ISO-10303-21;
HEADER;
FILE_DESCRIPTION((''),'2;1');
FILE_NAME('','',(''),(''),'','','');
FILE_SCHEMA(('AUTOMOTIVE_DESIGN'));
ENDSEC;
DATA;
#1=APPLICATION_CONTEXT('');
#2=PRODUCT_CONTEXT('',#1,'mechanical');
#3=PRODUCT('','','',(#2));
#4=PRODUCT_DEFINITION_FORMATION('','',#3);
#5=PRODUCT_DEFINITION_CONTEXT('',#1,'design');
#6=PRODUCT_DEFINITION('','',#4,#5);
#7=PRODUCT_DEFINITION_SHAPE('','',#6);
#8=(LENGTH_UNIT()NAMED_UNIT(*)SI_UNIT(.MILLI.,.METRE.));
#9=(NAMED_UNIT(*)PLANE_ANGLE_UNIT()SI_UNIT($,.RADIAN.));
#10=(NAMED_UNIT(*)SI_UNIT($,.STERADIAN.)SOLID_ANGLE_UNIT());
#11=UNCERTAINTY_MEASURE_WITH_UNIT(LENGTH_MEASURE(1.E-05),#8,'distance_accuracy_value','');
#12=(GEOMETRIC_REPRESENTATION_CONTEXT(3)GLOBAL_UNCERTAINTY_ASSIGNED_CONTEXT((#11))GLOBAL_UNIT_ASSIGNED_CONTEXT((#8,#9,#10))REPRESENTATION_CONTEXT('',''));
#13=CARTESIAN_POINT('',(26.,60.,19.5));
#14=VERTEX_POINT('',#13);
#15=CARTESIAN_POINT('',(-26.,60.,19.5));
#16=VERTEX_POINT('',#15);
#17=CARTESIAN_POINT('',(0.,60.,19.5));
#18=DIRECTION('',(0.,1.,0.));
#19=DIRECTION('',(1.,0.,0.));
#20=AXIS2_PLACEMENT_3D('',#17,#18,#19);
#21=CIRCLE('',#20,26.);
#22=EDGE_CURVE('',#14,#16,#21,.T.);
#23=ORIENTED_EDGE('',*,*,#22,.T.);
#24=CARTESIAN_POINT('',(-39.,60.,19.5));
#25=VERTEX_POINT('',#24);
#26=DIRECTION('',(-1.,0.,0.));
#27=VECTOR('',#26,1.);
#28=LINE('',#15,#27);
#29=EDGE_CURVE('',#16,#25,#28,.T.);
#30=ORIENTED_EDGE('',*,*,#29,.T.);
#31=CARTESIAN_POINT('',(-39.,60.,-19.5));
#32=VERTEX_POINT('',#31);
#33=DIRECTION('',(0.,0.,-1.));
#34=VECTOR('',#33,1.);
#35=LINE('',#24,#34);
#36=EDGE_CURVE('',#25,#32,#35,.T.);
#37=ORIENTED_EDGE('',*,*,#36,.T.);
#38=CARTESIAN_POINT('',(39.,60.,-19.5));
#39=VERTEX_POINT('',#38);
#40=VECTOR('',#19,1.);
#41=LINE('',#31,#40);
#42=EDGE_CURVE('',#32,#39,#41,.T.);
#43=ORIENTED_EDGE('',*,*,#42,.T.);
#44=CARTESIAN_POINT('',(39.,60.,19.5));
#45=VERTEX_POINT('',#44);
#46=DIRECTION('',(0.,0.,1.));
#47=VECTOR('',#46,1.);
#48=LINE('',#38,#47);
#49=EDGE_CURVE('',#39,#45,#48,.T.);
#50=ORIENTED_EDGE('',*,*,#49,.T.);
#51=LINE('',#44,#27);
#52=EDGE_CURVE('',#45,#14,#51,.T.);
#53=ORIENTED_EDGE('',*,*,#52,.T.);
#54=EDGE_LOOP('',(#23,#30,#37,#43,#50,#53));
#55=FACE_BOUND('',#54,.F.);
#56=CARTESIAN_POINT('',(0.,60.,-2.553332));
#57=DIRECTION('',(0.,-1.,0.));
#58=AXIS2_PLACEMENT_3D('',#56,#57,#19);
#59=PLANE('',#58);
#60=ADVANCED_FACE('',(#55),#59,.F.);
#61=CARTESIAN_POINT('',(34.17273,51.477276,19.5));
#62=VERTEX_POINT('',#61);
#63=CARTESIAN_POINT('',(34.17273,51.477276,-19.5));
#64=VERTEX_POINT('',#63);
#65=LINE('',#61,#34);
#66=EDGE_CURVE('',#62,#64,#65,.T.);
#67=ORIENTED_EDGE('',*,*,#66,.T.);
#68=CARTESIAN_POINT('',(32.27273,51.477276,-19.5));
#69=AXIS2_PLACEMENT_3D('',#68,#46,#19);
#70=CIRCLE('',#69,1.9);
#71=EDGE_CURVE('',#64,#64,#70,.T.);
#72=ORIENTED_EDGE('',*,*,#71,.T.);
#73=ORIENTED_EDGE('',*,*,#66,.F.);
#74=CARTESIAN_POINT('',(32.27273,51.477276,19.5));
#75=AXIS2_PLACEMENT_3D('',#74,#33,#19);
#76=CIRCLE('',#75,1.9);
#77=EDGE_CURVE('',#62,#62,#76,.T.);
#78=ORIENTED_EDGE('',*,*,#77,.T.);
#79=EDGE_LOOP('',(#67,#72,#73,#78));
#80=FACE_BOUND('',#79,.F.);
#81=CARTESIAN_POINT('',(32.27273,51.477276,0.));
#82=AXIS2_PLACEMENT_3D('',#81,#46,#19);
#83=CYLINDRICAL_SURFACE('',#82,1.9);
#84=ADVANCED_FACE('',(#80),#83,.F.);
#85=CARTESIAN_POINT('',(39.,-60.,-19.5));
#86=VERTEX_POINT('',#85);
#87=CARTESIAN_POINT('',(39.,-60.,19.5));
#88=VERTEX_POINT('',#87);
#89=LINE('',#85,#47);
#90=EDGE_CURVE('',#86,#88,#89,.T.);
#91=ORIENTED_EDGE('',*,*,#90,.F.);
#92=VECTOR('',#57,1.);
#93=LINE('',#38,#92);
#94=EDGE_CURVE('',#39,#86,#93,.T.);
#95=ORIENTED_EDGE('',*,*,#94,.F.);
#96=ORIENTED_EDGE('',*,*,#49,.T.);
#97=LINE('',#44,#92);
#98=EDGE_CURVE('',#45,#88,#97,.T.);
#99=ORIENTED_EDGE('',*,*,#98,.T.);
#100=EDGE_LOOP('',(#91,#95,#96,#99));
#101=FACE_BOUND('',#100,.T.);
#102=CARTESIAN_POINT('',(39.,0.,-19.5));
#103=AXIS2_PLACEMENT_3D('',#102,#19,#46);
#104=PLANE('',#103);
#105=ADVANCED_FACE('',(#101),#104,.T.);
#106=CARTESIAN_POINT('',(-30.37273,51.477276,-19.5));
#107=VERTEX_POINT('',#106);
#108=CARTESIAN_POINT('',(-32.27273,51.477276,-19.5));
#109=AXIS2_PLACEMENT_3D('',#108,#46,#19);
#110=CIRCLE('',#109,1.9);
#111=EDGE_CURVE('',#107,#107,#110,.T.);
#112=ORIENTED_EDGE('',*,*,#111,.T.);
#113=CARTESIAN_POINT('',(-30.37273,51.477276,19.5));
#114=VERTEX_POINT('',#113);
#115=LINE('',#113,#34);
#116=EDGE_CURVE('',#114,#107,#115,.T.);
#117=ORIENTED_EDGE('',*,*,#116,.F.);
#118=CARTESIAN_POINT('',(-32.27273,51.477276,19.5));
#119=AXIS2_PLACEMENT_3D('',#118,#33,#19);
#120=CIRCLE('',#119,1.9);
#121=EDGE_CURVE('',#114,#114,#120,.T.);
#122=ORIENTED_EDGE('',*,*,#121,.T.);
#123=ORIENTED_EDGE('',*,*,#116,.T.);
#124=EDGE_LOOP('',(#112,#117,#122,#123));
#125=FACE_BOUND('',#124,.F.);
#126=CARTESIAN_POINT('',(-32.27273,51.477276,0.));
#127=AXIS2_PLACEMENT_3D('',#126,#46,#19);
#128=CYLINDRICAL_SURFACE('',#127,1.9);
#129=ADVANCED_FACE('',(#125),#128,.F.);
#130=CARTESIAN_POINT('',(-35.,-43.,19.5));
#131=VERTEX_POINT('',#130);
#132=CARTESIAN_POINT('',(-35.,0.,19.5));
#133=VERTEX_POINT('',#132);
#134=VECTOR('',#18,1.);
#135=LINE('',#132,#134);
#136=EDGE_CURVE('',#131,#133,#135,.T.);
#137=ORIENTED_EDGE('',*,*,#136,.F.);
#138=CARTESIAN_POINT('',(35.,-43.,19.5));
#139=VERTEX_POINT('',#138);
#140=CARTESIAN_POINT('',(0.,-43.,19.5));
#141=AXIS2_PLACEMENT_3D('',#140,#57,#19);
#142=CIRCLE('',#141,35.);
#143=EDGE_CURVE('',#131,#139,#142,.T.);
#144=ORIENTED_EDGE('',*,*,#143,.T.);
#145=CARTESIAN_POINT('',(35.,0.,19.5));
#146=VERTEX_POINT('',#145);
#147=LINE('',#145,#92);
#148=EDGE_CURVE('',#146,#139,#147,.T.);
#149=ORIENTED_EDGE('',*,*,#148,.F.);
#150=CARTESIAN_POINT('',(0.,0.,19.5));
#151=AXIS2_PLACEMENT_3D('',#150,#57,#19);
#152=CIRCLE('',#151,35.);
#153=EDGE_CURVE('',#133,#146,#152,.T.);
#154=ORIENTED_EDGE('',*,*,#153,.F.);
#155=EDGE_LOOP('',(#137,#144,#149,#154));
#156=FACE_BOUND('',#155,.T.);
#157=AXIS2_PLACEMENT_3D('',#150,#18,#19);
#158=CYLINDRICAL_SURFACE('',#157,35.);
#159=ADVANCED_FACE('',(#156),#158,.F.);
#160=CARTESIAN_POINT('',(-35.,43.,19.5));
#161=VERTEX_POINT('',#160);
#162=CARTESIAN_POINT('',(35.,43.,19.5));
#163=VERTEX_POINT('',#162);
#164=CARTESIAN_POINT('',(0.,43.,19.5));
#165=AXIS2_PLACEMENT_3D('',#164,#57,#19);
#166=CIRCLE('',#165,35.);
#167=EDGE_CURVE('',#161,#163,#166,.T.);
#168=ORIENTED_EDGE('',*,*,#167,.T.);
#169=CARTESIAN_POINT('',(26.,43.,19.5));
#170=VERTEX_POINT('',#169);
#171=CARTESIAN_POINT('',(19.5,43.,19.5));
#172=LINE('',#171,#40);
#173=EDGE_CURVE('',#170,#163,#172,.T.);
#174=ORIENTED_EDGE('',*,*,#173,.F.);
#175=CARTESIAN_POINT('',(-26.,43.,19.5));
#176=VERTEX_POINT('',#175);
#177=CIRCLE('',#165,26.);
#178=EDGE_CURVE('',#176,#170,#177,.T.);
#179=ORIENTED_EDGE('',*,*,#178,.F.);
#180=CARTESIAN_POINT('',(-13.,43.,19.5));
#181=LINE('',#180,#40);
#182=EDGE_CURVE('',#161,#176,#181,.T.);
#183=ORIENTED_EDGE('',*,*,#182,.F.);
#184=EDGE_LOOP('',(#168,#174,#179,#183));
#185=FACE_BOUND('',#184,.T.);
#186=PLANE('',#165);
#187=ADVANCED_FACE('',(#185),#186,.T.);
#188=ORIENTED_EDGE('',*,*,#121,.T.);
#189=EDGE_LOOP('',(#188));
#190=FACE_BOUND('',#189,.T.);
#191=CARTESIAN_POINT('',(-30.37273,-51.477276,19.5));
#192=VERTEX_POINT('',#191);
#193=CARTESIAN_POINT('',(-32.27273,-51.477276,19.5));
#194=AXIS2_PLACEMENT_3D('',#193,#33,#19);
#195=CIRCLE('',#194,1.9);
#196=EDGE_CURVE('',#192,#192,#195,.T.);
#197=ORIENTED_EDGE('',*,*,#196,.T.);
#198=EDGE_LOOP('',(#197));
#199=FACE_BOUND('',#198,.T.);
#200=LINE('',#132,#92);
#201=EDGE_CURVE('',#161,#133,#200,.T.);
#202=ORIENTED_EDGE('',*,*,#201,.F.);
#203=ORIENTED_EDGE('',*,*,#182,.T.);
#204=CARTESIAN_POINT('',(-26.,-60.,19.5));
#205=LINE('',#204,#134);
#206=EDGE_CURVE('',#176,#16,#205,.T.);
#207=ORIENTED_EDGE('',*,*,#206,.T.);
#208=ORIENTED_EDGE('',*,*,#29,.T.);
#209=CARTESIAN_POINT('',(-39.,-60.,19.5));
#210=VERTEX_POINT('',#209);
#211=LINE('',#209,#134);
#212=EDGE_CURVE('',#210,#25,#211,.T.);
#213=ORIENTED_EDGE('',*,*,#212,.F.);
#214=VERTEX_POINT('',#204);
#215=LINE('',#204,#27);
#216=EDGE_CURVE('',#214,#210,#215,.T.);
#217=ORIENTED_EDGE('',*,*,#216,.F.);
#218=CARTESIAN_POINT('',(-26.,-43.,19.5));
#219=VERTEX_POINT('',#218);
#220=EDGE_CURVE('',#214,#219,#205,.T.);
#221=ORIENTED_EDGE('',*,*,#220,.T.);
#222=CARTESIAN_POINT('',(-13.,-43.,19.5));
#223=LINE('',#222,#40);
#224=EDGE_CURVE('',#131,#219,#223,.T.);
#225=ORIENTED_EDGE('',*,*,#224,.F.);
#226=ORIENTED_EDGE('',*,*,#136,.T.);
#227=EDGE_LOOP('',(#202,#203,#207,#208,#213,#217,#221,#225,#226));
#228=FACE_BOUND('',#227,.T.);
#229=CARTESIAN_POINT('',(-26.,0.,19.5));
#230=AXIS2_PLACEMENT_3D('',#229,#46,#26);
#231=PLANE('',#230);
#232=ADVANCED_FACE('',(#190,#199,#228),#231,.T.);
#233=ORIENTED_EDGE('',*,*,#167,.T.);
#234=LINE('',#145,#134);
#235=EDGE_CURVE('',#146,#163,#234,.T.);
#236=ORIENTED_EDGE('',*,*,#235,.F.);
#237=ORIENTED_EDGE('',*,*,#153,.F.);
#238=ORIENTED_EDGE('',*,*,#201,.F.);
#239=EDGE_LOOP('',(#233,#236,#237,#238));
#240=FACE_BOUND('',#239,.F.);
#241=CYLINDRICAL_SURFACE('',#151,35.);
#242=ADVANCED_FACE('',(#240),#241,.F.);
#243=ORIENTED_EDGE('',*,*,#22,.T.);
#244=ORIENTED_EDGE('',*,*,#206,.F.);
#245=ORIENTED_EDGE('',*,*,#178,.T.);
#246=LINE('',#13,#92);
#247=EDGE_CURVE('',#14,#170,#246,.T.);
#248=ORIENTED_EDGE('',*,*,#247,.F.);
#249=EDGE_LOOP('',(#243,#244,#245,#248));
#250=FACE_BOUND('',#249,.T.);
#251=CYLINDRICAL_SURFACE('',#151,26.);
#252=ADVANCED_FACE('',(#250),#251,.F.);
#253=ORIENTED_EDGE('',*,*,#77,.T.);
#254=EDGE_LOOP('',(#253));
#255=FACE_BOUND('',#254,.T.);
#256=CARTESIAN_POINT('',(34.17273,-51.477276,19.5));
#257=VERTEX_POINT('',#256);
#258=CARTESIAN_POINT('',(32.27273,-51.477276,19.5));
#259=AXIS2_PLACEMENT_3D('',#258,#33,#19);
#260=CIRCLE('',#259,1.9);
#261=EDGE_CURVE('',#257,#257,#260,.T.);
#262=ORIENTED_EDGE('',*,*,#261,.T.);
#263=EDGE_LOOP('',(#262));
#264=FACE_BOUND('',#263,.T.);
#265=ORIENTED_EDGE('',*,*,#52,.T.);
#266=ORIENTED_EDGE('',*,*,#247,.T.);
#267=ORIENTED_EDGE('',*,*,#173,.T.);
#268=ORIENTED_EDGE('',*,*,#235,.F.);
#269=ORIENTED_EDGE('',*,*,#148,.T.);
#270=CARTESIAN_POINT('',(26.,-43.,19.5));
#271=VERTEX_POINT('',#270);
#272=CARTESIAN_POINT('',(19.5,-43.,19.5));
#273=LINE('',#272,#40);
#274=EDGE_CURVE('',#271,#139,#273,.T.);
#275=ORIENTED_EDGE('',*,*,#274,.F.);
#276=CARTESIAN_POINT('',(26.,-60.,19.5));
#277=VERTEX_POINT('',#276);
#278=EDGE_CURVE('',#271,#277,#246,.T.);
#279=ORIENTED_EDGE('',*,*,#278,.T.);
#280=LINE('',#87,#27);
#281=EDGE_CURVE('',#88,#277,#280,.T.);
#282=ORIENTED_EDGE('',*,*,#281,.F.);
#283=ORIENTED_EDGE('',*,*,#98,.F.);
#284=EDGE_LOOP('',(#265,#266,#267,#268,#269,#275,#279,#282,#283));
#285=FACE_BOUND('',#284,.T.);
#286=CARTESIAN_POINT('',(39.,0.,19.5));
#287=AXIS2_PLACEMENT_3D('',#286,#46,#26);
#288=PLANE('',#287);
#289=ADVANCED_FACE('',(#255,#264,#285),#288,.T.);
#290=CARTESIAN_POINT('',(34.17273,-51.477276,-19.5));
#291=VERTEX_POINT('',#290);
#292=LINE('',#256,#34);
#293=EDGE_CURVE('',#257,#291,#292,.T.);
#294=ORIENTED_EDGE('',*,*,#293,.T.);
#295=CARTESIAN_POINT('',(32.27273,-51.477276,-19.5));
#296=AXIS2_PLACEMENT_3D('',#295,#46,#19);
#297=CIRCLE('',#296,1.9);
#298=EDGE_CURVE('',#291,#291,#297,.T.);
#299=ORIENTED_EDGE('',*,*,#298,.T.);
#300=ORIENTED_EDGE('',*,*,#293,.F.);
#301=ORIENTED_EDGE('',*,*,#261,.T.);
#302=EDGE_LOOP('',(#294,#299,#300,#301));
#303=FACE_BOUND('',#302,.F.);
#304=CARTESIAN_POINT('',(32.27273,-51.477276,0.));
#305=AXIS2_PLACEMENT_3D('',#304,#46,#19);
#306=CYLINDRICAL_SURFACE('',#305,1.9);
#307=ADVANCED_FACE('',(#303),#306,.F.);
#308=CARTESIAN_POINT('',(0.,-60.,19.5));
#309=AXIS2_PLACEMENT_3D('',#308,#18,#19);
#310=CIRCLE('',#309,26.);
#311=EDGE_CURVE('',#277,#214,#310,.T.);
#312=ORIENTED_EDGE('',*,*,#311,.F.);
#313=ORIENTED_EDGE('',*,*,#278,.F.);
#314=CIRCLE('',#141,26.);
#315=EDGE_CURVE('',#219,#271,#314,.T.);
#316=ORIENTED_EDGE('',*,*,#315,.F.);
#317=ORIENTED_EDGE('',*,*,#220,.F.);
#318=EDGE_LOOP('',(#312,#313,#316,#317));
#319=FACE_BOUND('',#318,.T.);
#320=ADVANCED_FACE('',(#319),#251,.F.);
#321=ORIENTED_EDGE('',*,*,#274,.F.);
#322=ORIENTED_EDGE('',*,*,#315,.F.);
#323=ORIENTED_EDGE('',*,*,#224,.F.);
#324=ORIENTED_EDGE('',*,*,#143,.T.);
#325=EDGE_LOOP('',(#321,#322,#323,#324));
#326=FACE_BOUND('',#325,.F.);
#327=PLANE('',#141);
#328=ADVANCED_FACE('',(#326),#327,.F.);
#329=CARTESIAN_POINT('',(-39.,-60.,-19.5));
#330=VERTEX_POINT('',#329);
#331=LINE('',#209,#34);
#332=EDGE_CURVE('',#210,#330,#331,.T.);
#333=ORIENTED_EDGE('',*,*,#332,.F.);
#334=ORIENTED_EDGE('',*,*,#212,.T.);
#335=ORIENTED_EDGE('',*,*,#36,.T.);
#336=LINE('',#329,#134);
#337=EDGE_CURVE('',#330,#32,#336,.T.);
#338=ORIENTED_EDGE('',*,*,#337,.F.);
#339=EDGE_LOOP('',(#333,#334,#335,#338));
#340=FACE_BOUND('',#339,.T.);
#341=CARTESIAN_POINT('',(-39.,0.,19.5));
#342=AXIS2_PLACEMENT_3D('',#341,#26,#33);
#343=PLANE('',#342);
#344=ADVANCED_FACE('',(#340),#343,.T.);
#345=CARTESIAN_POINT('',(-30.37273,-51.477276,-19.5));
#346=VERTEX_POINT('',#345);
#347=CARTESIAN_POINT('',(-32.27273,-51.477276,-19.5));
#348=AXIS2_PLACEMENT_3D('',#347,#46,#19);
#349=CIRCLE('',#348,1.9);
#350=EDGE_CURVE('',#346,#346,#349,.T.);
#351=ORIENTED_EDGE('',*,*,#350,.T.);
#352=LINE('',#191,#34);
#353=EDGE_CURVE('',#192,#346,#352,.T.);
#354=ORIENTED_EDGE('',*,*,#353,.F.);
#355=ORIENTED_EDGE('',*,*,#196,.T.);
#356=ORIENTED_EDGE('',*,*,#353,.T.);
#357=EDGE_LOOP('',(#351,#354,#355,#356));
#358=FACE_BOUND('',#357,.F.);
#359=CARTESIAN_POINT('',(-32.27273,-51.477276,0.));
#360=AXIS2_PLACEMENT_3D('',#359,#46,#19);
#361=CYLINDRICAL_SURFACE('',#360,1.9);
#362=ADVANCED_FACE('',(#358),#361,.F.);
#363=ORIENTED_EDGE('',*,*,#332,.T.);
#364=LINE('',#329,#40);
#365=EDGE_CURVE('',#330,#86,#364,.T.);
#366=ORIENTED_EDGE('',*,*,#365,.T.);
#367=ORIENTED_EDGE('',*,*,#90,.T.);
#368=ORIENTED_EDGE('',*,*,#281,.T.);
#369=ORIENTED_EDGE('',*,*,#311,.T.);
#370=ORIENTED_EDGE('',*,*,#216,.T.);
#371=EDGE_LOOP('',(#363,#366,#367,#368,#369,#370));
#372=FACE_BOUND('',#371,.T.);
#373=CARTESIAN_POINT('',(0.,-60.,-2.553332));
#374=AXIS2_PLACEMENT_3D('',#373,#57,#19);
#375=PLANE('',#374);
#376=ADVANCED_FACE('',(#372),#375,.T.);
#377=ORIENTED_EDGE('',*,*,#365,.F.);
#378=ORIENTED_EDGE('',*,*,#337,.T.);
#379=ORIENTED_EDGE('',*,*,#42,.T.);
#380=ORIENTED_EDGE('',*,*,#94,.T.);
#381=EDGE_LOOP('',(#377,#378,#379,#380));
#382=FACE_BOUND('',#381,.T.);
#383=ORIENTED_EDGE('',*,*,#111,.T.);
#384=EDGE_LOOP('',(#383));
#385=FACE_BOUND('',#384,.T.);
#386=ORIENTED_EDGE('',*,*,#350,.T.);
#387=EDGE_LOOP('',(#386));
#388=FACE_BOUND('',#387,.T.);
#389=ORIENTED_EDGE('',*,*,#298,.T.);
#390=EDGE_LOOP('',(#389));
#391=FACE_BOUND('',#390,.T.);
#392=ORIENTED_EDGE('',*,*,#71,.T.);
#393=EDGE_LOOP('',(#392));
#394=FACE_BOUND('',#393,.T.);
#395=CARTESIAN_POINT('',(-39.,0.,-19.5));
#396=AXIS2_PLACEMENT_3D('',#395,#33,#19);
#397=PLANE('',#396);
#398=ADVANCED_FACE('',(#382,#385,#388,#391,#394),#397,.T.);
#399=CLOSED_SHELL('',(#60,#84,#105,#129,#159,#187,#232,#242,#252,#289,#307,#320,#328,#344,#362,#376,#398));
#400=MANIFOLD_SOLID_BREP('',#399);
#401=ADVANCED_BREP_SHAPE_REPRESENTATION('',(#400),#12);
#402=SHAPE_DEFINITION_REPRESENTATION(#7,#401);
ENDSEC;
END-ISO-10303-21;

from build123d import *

# Parameters (mm, degrees)
F1_DEPTH      = 60
F1_DEPTH_BACK = 60
F2_R          = 35
F3_DEPTH      = 43
F3_DEPTH_BACK = 43
F4_R          = 1.9
F5_DEPTH      = 50
F5_DEPTH_BACK = 50


with BuildPart() as f1:
    # F0 (on Front) → F1 (new body, two sides)
    with BuildSketch(Plane.XZ) as f1_sk:
        with BuildLine():
            Line((-39, -19.5), (39, -19.5))
            Line((39, -19.5), (39, 19.5))
            Line((39, 19.5), (26, 19.5))
            ThreePointArc((26, 19.5), (0, -6.5), (-26, 19.5))
            Line((-26, 19.5), (-39, 19.5))
            Line((-39, 19.5), (-39, -19.5))
        make_face()
    extrude(amount=F1_DEPTH)
    extrude(f1_sk.sketch, amount=-F1_DEPTH_BACK)

    # F2 (on Front) → F3 (cut, two sides)
    with BuildSketch(Plane.XZ) as f3_sk:
        with Locations((0, 19.5)):
            Circle(F2_R)
    extrude(amount=-F3_DEPTH, mode=Mode.SUBTRACT)
    extrude(f3_sk.sketch, amount=F3_DEPTH_BACK, mode=Mode.SUBTRACT)

    # F4 (on Top) → F5 (cut, two sides)
    with BuildSketch(Plane.XY) as f5_sk:
        with Locations((-32.2727300227, 51.4772757888)):
            Circle(F4_R)
        with Locations((32.2727300227, 51.4772757888)):
            Circle(F4_R)
        with Locations((32.2727300227, -51.4772757888)):
            Circle(F4_R)
        with Locations((-32.2727300227, -51.4772757888)):
            Circle(F4_R)
    extrude(amount=-F5_DEPTH, mode=Mode.SUBTRACT)
    extrude(f5_sk.sketch, amount=F5_DEPTH_BACK, mode=Mode.SUBTRACT)


solid = f1.part
